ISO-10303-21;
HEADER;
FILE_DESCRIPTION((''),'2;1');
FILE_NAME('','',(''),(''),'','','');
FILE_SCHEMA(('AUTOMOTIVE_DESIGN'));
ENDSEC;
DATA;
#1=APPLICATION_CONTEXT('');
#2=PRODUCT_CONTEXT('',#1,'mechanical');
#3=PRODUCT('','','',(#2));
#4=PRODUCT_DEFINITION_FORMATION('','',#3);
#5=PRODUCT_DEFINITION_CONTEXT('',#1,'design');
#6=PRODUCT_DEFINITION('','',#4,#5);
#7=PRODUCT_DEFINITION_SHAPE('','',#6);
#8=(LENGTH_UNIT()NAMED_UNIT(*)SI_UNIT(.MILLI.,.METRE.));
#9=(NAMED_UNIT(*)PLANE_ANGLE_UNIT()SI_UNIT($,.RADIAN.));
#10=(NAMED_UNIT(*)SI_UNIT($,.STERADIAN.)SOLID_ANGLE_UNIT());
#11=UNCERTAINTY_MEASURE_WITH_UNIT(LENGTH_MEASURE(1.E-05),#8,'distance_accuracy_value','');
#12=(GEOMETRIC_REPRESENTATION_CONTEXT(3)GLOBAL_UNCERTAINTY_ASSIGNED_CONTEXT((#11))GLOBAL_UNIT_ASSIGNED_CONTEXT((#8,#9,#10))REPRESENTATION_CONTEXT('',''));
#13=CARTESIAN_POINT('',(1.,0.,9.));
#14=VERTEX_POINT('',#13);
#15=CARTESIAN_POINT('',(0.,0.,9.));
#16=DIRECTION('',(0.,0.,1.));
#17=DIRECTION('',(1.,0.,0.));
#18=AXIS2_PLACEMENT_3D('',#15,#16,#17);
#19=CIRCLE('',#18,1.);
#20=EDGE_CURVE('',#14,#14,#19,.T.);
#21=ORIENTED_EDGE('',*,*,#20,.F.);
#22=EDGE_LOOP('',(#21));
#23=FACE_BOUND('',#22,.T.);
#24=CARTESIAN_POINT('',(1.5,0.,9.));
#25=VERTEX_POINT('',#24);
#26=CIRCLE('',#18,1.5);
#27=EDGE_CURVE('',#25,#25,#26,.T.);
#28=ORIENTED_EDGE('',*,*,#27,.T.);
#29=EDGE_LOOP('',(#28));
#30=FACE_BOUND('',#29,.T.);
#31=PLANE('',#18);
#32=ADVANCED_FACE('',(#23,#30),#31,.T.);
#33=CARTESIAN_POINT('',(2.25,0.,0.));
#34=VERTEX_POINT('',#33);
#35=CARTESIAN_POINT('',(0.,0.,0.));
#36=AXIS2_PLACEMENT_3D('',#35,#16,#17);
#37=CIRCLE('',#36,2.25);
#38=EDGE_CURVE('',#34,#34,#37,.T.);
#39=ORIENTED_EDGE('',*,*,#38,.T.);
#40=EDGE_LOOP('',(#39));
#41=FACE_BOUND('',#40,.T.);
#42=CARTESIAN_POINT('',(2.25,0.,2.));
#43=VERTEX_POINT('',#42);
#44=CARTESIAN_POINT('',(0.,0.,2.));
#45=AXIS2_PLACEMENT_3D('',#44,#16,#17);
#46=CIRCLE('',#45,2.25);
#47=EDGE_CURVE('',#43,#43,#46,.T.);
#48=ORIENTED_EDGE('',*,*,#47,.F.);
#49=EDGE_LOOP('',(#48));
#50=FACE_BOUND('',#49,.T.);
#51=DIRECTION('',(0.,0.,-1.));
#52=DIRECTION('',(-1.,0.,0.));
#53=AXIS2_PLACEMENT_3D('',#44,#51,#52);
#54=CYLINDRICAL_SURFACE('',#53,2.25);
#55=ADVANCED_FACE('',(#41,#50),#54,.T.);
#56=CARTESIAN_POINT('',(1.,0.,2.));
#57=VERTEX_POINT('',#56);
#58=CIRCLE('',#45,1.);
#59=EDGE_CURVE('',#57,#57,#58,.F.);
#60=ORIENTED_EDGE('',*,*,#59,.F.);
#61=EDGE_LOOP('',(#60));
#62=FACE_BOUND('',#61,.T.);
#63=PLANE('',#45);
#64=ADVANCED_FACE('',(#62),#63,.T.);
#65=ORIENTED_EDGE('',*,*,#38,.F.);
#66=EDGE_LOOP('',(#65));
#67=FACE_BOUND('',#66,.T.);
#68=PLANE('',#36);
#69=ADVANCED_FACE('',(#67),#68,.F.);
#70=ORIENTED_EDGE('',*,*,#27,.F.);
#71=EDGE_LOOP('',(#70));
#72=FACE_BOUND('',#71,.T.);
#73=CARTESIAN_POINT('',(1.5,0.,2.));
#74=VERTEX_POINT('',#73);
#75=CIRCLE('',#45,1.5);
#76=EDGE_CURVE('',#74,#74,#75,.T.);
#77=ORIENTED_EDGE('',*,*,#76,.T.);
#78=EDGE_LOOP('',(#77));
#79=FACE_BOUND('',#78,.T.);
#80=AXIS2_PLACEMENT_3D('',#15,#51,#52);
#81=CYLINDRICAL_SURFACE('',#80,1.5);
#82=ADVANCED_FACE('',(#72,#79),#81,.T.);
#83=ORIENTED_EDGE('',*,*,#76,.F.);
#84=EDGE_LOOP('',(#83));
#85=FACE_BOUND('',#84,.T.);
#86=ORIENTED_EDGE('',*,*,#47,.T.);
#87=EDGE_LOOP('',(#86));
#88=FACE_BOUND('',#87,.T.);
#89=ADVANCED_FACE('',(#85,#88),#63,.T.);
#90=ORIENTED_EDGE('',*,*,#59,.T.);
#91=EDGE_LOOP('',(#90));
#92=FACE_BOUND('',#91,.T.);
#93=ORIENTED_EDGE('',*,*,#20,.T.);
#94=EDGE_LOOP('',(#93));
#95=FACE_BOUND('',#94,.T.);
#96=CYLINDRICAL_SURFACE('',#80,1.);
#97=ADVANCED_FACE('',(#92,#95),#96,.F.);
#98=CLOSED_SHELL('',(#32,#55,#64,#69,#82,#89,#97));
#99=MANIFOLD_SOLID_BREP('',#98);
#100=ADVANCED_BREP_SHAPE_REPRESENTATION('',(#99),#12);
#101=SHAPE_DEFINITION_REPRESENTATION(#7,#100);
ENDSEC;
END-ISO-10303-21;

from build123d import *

# Parameters (mm, degrees)
IZIM1_R                     = 2.25
Y_KSEKLIK_EKSTR_ZYON1_DEPTH = 2
IZIM2_R                     = 1.5
IZIM2_R_2                   = 1
Y_KSEKLIK_EKSTR_ZYON2_DEPTH = 7


with BuildPart() as part:
    # Çizim1 → Yükseklik-Ekstrüzyon1 (new body)
    with BuildSketch(Plane.XY):
        Circle(IZIM1_R)
    extrude(amount=Y_KSEKLIK_EKSTR_ZYON1_DEPTH)

    # Çizim2 → Yükseklik-Ekstrüzyon2 (add)
    with BuildSketch(Plane.XY.offset(2)):
        Circle(IZIM2_R)
        Circle(IZIM2_R_2, mode=Mode.SUBTRACT)
    extrude(amount=Y_KSEKLIK_EKSTR_ZYON2_DEPTH)


solid = part.part
